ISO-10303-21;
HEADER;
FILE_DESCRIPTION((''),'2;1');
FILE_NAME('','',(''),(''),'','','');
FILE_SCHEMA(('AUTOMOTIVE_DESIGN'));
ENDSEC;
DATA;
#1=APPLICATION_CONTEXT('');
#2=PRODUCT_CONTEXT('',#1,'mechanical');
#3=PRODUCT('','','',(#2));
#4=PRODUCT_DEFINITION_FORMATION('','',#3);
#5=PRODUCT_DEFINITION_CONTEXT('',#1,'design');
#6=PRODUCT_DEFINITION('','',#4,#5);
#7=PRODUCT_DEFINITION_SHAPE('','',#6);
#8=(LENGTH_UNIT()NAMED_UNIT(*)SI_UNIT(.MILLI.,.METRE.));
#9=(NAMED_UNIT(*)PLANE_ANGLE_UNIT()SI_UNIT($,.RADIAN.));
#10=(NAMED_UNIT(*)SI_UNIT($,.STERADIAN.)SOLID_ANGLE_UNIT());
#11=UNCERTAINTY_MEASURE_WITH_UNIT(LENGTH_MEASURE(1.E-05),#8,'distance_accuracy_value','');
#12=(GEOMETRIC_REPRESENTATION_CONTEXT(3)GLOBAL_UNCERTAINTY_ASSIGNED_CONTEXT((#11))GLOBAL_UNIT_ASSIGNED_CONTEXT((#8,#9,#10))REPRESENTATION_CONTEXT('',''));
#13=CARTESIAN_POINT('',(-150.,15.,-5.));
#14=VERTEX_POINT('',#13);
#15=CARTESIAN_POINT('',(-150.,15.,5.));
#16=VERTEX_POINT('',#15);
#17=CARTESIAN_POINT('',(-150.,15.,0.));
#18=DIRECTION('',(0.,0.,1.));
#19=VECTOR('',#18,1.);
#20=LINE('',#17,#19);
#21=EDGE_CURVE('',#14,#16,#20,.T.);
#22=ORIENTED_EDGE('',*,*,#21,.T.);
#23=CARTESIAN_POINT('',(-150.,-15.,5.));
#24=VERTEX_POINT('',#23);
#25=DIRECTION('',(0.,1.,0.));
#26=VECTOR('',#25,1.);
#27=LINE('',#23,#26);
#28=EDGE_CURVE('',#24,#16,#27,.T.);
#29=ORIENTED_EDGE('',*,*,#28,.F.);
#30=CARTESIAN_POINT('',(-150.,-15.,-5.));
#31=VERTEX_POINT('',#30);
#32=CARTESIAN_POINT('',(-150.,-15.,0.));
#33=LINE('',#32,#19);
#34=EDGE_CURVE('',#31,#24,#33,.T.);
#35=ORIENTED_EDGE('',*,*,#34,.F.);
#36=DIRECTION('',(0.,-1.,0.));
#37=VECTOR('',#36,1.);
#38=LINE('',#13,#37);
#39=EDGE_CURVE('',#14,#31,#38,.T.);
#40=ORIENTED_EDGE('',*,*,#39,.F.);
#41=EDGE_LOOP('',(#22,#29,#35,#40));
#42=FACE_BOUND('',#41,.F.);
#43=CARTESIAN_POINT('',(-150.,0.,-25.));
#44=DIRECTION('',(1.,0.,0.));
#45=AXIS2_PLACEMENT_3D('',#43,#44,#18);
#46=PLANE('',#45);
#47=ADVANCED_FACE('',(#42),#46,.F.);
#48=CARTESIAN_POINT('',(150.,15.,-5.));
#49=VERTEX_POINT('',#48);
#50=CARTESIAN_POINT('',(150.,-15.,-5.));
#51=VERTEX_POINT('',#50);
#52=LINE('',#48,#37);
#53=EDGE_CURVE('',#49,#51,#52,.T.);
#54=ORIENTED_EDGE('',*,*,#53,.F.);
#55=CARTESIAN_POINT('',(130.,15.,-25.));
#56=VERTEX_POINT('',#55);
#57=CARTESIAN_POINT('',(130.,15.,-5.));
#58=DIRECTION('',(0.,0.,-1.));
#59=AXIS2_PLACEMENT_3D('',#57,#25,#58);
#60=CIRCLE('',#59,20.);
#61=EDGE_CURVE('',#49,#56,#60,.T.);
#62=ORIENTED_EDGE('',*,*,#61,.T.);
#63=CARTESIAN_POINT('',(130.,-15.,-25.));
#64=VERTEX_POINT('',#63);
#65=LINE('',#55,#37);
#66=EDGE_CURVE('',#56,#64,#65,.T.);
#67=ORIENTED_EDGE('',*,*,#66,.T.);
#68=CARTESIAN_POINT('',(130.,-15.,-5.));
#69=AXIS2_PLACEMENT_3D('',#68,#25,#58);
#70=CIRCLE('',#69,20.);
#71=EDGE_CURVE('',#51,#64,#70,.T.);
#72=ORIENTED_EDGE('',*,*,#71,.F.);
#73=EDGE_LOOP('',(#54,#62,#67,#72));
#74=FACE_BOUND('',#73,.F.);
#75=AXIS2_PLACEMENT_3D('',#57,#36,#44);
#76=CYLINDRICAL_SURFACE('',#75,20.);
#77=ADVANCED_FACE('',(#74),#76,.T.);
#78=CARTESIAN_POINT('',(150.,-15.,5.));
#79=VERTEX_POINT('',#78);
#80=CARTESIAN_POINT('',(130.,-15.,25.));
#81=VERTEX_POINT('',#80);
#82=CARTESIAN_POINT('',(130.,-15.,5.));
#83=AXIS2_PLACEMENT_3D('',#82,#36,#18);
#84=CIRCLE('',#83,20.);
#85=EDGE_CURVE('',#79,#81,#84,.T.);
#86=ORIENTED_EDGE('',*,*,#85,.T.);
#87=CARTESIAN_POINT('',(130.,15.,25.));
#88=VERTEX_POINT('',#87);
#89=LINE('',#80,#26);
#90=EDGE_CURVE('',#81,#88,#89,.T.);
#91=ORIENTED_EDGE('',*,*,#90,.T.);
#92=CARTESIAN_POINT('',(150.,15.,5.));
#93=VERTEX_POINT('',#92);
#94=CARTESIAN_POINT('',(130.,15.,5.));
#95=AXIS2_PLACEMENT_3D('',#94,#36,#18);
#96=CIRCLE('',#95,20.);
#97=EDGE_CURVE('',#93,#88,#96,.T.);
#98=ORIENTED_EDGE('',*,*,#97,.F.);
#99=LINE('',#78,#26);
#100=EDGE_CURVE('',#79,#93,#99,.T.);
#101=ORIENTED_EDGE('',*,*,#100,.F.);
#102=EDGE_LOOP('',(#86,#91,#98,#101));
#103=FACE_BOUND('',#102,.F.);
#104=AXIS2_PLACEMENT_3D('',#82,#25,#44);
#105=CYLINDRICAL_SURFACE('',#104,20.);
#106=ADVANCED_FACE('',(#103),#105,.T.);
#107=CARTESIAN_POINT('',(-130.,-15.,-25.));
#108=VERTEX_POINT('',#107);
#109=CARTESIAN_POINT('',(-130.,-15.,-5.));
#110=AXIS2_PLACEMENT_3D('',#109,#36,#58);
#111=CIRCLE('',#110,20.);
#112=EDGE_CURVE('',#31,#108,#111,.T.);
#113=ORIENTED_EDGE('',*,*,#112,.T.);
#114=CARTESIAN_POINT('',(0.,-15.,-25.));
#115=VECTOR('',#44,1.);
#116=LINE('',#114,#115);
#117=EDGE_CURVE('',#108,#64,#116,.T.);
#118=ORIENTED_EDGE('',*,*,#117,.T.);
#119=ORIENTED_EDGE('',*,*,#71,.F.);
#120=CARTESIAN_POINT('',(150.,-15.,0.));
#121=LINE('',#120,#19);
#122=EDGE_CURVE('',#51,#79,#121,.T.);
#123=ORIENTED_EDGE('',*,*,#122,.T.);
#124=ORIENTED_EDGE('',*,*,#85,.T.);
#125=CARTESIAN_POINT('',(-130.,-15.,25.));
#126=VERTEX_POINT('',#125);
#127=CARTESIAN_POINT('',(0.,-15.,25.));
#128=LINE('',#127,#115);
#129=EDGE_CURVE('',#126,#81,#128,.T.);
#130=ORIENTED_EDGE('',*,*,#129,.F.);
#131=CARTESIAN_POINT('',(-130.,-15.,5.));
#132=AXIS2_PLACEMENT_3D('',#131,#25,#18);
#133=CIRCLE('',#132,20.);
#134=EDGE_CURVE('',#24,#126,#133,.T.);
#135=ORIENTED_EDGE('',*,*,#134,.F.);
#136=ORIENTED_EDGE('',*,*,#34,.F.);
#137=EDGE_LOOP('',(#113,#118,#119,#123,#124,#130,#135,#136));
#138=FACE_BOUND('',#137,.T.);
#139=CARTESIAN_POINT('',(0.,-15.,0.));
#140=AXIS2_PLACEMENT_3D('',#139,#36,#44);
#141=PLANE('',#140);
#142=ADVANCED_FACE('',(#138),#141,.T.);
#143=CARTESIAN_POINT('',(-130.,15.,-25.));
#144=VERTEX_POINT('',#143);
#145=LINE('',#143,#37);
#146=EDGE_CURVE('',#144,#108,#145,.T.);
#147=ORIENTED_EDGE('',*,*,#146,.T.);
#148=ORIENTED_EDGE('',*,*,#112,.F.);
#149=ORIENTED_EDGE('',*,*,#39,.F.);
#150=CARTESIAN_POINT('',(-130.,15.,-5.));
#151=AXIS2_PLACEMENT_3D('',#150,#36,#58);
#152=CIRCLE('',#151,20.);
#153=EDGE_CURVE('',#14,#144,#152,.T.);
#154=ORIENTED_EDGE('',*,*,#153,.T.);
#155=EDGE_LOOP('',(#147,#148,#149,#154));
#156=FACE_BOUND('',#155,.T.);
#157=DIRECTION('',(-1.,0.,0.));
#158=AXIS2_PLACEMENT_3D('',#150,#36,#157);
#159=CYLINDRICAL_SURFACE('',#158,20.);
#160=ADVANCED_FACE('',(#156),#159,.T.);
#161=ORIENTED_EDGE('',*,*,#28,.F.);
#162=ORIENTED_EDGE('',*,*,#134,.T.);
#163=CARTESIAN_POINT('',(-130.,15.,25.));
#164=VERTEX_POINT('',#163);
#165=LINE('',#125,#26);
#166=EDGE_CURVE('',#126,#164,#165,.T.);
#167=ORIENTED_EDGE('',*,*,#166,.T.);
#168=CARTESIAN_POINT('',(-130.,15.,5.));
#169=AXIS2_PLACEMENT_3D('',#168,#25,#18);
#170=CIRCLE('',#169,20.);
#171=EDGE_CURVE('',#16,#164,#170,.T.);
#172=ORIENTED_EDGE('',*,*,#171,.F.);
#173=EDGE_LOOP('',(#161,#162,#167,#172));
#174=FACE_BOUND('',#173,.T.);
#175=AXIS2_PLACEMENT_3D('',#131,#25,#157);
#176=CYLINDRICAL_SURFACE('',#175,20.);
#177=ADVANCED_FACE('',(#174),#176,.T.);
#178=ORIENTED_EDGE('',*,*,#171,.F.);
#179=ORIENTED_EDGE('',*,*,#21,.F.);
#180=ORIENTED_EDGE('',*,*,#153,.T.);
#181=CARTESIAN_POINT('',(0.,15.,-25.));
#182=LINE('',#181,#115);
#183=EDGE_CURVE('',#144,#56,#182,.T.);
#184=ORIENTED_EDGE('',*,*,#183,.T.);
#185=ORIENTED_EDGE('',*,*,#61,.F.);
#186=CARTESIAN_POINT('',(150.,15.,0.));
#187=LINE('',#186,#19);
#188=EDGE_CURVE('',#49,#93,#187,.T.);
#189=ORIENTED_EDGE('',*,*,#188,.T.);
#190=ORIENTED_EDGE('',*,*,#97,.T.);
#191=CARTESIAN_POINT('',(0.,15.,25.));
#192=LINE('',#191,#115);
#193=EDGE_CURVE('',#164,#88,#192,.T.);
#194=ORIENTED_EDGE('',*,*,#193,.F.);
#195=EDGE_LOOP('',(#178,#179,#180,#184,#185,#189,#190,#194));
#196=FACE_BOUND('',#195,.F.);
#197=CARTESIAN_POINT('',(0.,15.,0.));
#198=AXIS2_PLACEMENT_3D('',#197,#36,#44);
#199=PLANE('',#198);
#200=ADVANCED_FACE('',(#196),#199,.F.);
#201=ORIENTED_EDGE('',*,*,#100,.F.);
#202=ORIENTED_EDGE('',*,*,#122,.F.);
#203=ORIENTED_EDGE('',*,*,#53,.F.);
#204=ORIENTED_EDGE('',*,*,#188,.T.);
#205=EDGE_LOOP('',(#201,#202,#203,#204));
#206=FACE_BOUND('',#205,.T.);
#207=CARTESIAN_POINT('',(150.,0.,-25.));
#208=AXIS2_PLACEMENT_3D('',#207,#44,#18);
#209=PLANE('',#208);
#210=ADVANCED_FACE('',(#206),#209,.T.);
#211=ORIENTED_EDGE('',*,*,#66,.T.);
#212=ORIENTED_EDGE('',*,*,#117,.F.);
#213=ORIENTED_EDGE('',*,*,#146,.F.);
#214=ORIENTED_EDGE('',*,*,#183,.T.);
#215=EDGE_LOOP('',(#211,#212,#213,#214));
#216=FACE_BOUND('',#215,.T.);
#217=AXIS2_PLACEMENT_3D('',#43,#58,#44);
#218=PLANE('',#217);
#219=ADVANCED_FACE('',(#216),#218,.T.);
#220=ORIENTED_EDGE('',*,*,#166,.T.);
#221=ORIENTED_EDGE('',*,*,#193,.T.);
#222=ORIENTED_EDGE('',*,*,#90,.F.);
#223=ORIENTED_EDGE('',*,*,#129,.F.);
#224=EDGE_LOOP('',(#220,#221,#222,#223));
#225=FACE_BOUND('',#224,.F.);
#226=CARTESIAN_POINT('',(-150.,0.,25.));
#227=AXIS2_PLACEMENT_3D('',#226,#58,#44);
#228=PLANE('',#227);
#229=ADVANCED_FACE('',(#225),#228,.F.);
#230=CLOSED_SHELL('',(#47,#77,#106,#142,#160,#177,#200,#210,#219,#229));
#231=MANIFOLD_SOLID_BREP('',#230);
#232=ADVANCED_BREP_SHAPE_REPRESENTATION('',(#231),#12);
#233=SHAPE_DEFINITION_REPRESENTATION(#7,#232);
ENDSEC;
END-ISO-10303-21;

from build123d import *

# Parameters (mm, degrees)
F0_W          = 300
F0_H          = 50
F1_DEPTH      = 15
F1_DEPTH_BACK = 15
F2_R          = 20


with BuildPart() as f1:
    # F0 (on Front) → F1 (new body, two sides)
    with BuildSketch(Plane.XZ) as f1_sk:
        Rectangle(F0_W, F0_H)
    extrude(amount=F1_DEPTH)
    extrude(f1_sk.sketch, amount=-F1_DEPTH_BACK)

    # F2
    f2_edges = [f1.edges().sort_by_distance(p)[0] for p in [
        (150, 0, 25),
        (150, 0, -25),
        (-150, 0, 25),
        (-150, 0, -25),
    ]]
    fillet(f2_edges, radius=F2_R)


solid = f1.part
